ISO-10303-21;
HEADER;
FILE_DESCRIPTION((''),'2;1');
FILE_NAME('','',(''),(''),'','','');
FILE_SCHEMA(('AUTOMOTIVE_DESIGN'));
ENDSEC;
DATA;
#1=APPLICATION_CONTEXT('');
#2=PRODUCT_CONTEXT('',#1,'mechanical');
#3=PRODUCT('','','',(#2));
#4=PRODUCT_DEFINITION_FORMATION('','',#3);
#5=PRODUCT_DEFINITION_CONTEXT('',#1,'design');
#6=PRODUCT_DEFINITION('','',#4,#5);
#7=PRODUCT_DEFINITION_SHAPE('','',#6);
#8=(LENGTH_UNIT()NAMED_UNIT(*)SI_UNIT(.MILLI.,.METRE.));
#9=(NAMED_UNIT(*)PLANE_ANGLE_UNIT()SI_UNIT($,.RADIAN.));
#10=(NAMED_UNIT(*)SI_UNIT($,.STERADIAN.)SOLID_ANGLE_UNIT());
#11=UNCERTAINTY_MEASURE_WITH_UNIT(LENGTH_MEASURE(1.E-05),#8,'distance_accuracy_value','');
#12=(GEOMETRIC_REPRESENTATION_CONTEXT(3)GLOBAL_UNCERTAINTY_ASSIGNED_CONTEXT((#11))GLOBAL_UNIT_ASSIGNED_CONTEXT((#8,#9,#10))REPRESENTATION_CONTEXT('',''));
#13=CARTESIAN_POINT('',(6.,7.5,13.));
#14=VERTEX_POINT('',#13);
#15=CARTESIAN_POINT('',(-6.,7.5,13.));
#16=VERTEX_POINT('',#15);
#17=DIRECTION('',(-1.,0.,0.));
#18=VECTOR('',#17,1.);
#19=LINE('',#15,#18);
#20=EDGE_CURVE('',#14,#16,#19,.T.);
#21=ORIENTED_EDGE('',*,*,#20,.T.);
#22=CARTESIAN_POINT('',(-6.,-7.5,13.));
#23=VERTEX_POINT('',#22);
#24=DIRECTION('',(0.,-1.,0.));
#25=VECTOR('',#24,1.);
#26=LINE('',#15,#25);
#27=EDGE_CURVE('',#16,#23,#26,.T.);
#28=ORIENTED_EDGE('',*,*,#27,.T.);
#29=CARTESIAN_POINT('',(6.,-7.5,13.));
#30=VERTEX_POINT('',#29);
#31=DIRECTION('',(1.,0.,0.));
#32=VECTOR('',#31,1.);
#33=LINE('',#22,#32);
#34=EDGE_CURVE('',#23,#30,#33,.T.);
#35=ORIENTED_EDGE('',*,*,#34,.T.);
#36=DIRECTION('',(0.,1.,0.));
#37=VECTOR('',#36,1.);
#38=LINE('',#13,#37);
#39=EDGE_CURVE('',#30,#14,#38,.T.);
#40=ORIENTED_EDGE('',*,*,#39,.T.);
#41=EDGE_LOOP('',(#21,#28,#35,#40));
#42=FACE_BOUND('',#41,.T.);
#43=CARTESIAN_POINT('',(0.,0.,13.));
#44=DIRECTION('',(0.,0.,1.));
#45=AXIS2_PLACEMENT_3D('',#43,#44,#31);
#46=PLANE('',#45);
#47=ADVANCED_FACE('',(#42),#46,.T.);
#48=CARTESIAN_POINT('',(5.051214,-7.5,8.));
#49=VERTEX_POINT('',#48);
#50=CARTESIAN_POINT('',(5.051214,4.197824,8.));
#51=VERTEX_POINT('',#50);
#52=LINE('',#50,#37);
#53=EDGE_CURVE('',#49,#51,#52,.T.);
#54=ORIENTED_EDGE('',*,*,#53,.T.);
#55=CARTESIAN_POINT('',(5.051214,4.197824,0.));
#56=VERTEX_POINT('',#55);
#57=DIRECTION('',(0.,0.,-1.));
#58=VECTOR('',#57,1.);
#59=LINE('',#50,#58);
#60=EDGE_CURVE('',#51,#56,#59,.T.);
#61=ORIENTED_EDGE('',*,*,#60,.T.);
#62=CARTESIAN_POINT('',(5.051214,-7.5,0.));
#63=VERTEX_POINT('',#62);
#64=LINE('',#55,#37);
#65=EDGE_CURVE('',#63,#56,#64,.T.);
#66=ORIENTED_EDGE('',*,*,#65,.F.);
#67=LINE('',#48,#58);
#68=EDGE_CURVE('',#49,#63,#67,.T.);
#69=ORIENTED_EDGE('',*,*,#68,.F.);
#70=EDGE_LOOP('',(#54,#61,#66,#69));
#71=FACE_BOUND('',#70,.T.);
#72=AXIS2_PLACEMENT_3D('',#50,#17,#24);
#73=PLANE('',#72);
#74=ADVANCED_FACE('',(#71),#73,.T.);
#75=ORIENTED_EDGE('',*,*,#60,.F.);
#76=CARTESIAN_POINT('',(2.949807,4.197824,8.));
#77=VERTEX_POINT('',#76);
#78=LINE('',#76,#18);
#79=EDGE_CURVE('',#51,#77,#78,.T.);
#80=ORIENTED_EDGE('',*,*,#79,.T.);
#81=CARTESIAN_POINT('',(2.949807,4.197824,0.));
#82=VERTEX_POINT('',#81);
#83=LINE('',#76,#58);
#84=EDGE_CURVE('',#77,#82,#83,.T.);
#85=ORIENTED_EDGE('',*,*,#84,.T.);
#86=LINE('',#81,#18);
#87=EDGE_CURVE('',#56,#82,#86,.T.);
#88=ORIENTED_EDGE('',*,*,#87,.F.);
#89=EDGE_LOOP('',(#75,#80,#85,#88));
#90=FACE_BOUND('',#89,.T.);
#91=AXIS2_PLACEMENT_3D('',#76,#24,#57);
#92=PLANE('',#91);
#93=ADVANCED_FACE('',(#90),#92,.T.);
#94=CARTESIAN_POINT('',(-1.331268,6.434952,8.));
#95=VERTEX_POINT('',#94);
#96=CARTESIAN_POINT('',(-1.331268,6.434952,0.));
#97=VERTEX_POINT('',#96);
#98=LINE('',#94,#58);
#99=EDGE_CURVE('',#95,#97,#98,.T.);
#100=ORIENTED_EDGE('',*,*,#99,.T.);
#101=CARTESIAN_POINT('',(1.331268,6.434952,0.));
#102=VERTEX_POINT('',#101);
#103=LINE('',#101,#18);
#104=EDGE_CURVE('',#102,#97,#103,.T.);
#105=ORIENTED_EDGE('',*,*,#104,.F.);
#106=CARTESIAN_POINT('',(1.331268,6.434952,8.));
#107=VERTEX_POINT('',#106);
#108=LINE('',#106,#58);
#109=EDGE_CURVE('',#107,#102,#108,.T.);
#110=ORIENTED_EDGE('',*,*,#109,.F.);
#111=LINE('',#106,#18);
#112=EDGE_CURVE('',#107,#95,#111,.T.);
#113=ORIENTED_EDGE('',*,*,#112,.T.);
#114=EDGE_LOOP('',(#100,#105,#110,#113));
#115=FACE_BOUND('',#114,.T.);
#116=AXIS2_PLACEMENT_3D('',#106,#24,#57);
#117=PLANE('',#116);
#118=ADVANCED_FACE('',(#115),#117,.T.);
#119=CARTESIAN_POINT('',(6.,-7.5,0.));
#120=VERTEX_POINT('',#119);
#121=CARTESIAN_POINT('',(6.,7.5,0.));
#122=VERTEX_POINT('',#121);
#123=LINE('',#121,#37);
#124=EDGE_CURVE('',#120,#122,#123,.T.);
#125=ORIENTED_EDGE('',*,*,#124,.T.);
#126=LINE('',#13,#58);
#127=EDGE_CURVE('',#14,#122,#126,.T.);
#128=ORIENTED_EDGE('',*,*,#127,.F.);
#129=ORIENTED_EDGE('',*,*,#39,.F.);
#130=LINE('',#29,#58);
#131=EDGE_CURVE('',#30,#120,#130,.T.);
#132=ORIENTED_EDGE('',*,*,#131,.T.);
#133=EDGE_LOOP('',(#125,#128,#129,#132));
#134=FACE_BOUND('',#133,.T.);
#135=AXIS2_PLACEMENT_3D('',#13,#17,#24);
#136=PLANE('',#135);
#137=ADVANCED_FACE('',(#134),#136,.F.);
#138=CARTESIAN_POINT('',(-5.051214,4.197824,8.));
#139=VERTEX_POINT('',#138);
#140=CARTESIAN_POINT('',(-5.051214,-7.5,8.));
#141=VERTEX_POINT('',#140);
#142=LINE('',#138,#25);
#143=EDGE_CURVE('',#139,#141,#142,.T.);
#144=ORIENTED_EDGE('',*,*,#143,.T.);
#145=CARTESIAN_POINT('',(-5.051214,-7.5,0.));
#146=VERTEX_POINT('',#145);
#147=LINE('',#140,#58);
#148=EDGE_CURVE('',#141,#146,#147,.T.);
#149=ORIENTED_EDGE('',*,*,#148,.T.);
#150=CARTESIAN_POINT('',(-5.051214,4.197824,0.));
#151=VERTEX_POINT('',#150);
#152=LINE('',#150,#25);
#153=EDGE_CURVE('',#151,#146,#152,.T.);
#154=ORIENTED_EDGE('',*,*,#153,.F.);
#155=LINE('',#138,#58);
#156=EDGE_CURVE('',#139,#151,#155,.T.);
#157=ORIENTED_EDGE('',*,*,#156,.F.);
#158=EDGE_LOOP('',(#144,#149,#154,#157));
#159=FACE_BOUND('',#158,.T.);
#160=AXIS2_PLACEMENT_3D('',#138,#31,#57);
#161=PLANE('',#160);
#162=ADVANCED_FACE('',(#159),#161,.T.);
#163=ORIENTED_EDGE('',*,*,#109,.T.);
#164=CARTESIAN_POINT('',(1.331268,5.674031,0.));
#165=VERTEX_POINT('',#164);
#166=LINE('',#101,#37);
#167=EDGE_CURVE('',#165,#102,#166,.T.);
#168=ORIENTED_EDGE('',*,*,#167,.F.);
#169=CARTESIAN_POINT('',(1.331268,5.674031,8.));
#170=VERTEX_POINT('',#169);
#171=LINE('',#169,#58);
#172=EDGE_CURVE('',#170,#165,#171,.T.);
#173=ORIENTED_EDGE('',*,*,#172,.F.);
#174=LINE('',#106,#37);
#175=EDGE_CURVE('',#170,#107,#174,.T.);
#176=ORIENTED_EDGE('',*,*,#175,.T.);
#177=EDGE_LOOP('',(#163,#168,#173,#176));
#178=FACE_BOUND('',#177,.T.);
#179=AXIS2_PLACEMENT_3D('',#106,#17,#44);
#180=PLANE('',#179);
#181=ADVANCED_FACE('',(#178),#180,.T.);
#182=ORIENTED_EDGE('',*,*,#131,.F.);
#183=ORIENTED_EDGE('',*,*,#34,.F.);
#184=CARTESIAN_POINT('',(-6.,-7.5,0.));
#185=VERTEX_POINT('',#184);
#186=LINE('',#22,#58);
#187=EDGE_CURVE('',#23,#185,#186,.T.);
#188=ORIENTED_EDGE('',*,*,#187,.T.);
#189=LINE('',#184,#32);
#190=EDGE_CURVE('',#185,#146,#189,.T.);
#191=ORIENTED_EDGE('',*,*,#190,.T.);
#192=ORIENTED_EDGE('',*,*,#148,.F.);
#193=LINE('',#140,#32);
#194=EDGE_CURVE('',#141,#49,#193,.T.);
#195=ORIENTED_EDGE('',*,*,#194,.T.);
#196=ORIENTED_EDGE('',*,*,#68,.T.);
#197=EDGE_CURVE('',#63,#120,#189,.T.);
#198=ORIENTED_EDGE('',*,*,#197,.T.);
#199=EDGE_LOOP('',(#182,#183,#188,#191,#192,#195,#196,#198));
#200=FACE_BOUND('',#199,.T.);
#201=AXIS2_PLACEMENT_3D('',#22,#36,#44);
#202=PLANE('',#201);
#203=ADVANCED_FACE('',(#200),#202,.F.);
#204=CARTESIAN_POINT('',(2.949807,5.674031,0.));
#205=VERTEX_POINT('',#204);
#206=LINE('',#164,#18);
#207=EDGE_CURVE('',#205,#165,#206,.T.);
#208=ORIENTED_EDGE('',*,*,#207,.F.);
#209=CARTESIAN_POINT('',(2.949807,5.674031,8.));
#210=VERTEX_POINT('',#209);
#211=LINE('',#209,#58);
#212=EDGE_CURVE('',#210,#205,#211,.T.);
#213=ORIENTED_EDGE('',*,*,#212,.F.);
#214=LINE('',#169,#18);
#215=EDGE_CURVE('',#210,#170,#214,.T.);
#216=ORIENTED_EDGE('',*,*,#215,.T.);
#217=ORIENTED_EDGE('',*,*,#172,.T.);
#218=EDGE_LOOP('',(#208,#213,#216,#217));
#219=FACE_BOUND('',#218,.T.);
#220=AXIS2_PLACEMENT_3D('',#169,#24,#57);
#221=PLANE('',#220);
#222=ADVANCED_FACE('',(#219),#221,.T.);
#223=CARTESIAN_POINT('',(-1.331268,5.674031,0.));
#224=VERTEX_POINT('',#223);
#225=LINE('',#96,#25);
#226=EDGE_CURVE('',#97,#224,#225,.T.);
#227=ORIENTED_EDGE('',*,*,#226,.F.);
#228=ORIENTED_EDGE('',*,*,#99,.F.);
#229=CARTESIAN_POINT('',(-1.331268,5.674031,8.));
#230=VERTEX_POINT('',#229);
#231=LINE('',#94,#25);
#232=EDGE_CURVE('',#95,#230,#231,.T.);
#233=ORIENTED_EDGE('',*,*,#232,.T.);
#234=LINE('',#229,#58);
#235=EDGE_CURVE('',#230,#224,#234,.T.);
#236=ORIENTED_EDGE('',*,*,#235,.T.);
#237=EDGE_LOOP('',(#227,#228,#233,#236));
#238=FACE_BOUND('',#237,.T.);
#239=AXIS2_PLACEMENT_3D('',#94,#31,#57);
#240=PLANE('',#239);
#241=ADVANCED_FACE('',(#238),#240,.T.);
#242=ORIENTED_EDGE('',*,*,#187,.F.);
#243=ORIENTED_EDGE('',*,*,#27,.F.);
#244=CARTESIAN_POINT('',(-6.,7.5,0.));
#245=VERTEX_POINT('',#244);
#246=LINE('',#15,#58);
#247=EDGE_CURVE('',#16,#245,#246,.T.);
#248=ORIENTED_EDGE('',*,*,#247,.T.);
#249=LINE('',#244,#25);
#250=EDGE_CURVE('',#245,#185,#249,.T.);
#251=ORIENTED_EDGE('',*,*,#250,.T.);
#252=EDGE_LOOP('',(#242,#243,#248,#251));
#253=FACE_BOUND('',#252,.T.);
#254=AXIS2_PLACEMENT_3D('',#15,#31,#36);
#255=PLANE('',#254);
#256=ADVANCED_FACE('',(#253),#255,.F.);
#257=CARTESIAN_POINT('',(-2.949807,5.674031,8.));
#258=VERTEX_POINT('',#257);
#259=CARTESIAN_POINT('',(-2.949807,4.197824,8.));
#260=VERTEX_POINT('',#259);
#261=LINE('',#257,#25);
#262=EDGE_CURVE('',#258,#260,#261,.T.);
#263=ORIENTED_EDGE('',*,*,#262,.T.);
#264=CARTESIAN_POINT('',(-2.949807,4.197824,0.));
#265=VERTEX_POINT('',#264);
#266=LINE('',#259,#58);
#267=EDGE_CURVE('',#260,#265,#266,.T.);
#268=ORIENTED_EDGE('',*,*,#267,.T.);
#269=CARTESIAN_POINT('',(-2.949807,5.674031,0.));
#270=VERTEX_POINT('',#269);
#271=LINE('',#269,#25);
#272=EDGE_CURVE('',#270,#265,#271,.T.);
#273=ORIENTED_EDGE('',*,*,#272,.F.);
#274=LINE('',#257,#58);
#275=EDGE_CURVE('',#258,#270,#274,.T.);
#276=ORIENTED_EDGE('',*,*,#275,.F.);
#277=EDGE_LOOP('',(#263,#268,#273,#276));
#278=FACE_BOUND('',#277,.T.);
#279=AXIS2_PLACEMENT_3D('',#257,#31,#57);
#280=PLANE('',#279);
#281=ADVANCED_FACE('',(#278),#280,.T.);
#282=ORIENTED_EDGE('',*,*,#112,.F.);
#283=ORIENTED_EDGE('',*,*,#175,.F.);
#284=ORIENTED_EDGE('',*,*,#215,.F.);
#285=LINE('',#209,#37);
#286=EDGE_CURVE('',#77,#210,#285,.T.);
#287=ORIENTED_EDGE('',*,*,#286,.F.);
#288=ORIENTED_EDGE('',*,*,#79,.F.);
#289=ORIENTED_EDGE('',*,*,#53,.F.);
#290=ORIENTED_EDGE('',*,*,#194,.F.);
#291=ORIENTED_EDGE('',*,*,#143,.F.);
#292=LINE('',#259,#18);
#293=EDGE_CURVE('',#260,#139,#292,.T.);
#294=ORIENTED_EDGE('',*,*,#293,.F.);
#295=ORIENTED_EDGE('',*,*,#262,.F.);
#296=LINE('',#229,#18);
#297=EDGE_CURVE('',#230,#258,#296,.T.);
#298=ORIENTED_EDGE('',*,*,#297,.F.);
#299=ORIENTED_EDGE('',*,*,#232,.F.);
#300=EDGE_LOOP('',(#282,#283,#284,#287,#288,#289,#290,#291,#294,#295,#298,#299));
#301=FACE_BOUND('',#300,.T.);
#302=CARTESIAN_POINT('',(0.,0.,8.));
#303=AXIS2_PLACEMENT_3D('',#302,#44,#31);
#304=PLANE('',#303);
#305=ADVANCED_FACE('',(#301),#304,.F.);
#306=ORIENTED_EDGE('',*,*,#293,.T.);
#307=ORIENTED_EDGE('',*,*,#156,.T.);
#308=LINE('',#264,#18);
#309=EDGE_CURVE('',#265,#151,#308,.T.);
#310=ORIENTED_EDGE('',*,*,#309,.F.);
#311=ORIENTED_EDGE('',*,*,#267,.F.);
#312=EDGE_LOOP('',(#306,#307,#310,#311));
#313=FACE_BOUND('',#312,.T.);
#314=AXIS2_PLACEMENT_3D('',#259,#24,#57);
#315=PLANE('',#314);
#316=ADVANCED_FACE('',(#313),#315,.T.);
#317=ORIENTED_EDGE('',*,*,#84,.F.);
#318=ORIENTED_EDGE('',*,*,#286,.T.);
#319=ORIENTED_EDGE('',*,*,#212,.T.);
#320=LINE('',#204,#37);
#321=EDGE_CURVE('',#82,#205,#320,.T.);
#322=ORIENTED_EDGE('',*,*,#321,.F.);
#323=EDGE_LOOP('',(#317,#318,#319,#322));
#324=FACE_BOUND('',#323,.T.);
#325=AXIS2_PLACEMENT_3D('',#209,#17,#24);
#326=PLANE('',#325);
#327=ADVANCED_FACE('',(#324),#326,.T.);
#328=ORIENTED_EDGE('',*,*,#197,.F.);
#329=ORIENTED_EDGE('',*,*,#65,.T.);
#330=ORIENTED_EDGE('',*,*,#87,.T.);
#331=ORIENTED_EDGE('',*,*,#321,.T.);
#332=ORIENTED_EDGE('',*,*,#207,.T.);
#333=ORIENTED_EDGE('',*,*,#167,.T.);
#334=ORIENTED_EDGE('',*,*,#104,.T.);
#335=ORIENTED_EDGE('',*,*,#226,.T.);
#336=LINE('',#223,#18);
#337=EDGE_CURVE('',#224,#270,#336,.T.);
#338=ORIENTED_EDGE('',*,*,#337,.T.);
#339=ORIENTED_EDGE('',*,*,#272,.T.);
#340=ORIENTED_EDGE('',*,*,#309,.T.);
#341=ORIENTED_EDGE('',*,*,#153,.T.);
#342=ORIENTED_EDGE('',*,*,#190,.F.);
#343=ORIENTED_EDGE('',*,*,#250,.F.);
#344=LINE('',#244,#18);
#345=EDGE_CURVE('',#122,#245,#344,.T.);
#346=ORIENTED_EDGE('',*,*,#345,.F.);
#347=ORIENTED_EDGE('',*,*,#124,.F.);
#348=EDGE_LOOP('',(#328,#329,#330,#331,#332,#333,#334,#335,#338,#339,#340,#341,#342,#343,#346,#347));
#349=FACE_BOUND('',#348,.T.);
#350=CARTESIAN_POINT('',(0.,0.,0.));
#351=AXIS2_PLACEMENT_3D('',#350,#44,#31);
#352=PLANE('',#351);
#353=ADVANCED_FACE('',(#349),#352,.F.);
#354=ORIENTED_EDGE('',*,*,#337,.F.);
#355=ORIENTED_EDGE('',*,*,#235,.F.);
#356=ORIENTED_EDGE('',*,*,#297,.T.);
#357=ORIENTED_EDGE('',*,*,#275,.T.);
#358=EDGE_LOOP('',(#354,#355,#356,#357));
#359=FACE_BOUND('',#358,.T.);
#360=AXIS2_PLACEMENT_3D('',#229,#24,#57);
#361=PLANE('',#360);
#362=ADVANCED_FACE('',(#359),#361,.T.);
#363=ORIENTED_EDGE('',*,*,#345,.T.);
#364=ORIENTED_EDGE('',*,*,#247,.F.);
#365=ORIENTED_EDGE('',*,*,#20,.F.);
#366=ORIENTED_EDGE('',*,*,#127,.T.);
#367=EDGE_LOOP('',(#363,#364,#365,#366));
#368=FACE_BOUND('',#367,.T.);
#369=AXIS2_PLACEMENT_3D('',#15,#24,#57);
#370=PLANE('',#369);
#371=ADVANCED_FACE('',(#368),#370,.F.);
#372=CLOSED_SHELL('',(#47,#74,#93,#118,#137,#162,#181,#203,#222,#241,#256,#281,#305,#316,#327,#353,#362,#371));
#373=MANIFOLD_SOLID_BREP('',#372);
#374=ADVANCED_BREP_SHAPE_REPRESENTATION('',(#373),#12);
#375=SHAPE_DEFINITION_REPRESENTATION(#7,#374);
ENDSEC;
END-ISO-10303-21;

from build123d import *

# Parameters (mm, degrees)
SKETCH1_W           = 12
SKETCH1_H           = 15
BOSS_EXTRUDE1_DEPTH = 13
CUT_EXTRUDE1_DEPTH  = 8


with BuildPart() as part:
    # Sketch1 → Boss-Extrude1 (new body)
    with BuildSketch(Plane.XY):
        Rectangle(SKETCH1_W, SKETCH1_H)
    extrude(amount=BOSS_EXTRUDE1_DEPTH)

    # Sketch2 → Cut-Extrude1 (cut)
    with BuildSketch(Plane.XY):
        Polygon((1.331268312, 6.434952315), (-1.331268312, 6.434952315), (-1.331268312, 5.674031135), (-2.949806732, 5.674031135), (-2.949806732, 4.197823958), (-5.051214446, 4.197823958), (-5.051214446, -7.5), (5.051214446, -7.5), (5.051214446, 4.197823958), (2.949806732, 4.197823958), (2.949806732, 5.674031135), (1.331268312, 5.674031135), align=None)
    extrude(amount=CUT_EXTRUDE1_DEPTH, mode=Mode.SUBTRACT)


solid = part.part
